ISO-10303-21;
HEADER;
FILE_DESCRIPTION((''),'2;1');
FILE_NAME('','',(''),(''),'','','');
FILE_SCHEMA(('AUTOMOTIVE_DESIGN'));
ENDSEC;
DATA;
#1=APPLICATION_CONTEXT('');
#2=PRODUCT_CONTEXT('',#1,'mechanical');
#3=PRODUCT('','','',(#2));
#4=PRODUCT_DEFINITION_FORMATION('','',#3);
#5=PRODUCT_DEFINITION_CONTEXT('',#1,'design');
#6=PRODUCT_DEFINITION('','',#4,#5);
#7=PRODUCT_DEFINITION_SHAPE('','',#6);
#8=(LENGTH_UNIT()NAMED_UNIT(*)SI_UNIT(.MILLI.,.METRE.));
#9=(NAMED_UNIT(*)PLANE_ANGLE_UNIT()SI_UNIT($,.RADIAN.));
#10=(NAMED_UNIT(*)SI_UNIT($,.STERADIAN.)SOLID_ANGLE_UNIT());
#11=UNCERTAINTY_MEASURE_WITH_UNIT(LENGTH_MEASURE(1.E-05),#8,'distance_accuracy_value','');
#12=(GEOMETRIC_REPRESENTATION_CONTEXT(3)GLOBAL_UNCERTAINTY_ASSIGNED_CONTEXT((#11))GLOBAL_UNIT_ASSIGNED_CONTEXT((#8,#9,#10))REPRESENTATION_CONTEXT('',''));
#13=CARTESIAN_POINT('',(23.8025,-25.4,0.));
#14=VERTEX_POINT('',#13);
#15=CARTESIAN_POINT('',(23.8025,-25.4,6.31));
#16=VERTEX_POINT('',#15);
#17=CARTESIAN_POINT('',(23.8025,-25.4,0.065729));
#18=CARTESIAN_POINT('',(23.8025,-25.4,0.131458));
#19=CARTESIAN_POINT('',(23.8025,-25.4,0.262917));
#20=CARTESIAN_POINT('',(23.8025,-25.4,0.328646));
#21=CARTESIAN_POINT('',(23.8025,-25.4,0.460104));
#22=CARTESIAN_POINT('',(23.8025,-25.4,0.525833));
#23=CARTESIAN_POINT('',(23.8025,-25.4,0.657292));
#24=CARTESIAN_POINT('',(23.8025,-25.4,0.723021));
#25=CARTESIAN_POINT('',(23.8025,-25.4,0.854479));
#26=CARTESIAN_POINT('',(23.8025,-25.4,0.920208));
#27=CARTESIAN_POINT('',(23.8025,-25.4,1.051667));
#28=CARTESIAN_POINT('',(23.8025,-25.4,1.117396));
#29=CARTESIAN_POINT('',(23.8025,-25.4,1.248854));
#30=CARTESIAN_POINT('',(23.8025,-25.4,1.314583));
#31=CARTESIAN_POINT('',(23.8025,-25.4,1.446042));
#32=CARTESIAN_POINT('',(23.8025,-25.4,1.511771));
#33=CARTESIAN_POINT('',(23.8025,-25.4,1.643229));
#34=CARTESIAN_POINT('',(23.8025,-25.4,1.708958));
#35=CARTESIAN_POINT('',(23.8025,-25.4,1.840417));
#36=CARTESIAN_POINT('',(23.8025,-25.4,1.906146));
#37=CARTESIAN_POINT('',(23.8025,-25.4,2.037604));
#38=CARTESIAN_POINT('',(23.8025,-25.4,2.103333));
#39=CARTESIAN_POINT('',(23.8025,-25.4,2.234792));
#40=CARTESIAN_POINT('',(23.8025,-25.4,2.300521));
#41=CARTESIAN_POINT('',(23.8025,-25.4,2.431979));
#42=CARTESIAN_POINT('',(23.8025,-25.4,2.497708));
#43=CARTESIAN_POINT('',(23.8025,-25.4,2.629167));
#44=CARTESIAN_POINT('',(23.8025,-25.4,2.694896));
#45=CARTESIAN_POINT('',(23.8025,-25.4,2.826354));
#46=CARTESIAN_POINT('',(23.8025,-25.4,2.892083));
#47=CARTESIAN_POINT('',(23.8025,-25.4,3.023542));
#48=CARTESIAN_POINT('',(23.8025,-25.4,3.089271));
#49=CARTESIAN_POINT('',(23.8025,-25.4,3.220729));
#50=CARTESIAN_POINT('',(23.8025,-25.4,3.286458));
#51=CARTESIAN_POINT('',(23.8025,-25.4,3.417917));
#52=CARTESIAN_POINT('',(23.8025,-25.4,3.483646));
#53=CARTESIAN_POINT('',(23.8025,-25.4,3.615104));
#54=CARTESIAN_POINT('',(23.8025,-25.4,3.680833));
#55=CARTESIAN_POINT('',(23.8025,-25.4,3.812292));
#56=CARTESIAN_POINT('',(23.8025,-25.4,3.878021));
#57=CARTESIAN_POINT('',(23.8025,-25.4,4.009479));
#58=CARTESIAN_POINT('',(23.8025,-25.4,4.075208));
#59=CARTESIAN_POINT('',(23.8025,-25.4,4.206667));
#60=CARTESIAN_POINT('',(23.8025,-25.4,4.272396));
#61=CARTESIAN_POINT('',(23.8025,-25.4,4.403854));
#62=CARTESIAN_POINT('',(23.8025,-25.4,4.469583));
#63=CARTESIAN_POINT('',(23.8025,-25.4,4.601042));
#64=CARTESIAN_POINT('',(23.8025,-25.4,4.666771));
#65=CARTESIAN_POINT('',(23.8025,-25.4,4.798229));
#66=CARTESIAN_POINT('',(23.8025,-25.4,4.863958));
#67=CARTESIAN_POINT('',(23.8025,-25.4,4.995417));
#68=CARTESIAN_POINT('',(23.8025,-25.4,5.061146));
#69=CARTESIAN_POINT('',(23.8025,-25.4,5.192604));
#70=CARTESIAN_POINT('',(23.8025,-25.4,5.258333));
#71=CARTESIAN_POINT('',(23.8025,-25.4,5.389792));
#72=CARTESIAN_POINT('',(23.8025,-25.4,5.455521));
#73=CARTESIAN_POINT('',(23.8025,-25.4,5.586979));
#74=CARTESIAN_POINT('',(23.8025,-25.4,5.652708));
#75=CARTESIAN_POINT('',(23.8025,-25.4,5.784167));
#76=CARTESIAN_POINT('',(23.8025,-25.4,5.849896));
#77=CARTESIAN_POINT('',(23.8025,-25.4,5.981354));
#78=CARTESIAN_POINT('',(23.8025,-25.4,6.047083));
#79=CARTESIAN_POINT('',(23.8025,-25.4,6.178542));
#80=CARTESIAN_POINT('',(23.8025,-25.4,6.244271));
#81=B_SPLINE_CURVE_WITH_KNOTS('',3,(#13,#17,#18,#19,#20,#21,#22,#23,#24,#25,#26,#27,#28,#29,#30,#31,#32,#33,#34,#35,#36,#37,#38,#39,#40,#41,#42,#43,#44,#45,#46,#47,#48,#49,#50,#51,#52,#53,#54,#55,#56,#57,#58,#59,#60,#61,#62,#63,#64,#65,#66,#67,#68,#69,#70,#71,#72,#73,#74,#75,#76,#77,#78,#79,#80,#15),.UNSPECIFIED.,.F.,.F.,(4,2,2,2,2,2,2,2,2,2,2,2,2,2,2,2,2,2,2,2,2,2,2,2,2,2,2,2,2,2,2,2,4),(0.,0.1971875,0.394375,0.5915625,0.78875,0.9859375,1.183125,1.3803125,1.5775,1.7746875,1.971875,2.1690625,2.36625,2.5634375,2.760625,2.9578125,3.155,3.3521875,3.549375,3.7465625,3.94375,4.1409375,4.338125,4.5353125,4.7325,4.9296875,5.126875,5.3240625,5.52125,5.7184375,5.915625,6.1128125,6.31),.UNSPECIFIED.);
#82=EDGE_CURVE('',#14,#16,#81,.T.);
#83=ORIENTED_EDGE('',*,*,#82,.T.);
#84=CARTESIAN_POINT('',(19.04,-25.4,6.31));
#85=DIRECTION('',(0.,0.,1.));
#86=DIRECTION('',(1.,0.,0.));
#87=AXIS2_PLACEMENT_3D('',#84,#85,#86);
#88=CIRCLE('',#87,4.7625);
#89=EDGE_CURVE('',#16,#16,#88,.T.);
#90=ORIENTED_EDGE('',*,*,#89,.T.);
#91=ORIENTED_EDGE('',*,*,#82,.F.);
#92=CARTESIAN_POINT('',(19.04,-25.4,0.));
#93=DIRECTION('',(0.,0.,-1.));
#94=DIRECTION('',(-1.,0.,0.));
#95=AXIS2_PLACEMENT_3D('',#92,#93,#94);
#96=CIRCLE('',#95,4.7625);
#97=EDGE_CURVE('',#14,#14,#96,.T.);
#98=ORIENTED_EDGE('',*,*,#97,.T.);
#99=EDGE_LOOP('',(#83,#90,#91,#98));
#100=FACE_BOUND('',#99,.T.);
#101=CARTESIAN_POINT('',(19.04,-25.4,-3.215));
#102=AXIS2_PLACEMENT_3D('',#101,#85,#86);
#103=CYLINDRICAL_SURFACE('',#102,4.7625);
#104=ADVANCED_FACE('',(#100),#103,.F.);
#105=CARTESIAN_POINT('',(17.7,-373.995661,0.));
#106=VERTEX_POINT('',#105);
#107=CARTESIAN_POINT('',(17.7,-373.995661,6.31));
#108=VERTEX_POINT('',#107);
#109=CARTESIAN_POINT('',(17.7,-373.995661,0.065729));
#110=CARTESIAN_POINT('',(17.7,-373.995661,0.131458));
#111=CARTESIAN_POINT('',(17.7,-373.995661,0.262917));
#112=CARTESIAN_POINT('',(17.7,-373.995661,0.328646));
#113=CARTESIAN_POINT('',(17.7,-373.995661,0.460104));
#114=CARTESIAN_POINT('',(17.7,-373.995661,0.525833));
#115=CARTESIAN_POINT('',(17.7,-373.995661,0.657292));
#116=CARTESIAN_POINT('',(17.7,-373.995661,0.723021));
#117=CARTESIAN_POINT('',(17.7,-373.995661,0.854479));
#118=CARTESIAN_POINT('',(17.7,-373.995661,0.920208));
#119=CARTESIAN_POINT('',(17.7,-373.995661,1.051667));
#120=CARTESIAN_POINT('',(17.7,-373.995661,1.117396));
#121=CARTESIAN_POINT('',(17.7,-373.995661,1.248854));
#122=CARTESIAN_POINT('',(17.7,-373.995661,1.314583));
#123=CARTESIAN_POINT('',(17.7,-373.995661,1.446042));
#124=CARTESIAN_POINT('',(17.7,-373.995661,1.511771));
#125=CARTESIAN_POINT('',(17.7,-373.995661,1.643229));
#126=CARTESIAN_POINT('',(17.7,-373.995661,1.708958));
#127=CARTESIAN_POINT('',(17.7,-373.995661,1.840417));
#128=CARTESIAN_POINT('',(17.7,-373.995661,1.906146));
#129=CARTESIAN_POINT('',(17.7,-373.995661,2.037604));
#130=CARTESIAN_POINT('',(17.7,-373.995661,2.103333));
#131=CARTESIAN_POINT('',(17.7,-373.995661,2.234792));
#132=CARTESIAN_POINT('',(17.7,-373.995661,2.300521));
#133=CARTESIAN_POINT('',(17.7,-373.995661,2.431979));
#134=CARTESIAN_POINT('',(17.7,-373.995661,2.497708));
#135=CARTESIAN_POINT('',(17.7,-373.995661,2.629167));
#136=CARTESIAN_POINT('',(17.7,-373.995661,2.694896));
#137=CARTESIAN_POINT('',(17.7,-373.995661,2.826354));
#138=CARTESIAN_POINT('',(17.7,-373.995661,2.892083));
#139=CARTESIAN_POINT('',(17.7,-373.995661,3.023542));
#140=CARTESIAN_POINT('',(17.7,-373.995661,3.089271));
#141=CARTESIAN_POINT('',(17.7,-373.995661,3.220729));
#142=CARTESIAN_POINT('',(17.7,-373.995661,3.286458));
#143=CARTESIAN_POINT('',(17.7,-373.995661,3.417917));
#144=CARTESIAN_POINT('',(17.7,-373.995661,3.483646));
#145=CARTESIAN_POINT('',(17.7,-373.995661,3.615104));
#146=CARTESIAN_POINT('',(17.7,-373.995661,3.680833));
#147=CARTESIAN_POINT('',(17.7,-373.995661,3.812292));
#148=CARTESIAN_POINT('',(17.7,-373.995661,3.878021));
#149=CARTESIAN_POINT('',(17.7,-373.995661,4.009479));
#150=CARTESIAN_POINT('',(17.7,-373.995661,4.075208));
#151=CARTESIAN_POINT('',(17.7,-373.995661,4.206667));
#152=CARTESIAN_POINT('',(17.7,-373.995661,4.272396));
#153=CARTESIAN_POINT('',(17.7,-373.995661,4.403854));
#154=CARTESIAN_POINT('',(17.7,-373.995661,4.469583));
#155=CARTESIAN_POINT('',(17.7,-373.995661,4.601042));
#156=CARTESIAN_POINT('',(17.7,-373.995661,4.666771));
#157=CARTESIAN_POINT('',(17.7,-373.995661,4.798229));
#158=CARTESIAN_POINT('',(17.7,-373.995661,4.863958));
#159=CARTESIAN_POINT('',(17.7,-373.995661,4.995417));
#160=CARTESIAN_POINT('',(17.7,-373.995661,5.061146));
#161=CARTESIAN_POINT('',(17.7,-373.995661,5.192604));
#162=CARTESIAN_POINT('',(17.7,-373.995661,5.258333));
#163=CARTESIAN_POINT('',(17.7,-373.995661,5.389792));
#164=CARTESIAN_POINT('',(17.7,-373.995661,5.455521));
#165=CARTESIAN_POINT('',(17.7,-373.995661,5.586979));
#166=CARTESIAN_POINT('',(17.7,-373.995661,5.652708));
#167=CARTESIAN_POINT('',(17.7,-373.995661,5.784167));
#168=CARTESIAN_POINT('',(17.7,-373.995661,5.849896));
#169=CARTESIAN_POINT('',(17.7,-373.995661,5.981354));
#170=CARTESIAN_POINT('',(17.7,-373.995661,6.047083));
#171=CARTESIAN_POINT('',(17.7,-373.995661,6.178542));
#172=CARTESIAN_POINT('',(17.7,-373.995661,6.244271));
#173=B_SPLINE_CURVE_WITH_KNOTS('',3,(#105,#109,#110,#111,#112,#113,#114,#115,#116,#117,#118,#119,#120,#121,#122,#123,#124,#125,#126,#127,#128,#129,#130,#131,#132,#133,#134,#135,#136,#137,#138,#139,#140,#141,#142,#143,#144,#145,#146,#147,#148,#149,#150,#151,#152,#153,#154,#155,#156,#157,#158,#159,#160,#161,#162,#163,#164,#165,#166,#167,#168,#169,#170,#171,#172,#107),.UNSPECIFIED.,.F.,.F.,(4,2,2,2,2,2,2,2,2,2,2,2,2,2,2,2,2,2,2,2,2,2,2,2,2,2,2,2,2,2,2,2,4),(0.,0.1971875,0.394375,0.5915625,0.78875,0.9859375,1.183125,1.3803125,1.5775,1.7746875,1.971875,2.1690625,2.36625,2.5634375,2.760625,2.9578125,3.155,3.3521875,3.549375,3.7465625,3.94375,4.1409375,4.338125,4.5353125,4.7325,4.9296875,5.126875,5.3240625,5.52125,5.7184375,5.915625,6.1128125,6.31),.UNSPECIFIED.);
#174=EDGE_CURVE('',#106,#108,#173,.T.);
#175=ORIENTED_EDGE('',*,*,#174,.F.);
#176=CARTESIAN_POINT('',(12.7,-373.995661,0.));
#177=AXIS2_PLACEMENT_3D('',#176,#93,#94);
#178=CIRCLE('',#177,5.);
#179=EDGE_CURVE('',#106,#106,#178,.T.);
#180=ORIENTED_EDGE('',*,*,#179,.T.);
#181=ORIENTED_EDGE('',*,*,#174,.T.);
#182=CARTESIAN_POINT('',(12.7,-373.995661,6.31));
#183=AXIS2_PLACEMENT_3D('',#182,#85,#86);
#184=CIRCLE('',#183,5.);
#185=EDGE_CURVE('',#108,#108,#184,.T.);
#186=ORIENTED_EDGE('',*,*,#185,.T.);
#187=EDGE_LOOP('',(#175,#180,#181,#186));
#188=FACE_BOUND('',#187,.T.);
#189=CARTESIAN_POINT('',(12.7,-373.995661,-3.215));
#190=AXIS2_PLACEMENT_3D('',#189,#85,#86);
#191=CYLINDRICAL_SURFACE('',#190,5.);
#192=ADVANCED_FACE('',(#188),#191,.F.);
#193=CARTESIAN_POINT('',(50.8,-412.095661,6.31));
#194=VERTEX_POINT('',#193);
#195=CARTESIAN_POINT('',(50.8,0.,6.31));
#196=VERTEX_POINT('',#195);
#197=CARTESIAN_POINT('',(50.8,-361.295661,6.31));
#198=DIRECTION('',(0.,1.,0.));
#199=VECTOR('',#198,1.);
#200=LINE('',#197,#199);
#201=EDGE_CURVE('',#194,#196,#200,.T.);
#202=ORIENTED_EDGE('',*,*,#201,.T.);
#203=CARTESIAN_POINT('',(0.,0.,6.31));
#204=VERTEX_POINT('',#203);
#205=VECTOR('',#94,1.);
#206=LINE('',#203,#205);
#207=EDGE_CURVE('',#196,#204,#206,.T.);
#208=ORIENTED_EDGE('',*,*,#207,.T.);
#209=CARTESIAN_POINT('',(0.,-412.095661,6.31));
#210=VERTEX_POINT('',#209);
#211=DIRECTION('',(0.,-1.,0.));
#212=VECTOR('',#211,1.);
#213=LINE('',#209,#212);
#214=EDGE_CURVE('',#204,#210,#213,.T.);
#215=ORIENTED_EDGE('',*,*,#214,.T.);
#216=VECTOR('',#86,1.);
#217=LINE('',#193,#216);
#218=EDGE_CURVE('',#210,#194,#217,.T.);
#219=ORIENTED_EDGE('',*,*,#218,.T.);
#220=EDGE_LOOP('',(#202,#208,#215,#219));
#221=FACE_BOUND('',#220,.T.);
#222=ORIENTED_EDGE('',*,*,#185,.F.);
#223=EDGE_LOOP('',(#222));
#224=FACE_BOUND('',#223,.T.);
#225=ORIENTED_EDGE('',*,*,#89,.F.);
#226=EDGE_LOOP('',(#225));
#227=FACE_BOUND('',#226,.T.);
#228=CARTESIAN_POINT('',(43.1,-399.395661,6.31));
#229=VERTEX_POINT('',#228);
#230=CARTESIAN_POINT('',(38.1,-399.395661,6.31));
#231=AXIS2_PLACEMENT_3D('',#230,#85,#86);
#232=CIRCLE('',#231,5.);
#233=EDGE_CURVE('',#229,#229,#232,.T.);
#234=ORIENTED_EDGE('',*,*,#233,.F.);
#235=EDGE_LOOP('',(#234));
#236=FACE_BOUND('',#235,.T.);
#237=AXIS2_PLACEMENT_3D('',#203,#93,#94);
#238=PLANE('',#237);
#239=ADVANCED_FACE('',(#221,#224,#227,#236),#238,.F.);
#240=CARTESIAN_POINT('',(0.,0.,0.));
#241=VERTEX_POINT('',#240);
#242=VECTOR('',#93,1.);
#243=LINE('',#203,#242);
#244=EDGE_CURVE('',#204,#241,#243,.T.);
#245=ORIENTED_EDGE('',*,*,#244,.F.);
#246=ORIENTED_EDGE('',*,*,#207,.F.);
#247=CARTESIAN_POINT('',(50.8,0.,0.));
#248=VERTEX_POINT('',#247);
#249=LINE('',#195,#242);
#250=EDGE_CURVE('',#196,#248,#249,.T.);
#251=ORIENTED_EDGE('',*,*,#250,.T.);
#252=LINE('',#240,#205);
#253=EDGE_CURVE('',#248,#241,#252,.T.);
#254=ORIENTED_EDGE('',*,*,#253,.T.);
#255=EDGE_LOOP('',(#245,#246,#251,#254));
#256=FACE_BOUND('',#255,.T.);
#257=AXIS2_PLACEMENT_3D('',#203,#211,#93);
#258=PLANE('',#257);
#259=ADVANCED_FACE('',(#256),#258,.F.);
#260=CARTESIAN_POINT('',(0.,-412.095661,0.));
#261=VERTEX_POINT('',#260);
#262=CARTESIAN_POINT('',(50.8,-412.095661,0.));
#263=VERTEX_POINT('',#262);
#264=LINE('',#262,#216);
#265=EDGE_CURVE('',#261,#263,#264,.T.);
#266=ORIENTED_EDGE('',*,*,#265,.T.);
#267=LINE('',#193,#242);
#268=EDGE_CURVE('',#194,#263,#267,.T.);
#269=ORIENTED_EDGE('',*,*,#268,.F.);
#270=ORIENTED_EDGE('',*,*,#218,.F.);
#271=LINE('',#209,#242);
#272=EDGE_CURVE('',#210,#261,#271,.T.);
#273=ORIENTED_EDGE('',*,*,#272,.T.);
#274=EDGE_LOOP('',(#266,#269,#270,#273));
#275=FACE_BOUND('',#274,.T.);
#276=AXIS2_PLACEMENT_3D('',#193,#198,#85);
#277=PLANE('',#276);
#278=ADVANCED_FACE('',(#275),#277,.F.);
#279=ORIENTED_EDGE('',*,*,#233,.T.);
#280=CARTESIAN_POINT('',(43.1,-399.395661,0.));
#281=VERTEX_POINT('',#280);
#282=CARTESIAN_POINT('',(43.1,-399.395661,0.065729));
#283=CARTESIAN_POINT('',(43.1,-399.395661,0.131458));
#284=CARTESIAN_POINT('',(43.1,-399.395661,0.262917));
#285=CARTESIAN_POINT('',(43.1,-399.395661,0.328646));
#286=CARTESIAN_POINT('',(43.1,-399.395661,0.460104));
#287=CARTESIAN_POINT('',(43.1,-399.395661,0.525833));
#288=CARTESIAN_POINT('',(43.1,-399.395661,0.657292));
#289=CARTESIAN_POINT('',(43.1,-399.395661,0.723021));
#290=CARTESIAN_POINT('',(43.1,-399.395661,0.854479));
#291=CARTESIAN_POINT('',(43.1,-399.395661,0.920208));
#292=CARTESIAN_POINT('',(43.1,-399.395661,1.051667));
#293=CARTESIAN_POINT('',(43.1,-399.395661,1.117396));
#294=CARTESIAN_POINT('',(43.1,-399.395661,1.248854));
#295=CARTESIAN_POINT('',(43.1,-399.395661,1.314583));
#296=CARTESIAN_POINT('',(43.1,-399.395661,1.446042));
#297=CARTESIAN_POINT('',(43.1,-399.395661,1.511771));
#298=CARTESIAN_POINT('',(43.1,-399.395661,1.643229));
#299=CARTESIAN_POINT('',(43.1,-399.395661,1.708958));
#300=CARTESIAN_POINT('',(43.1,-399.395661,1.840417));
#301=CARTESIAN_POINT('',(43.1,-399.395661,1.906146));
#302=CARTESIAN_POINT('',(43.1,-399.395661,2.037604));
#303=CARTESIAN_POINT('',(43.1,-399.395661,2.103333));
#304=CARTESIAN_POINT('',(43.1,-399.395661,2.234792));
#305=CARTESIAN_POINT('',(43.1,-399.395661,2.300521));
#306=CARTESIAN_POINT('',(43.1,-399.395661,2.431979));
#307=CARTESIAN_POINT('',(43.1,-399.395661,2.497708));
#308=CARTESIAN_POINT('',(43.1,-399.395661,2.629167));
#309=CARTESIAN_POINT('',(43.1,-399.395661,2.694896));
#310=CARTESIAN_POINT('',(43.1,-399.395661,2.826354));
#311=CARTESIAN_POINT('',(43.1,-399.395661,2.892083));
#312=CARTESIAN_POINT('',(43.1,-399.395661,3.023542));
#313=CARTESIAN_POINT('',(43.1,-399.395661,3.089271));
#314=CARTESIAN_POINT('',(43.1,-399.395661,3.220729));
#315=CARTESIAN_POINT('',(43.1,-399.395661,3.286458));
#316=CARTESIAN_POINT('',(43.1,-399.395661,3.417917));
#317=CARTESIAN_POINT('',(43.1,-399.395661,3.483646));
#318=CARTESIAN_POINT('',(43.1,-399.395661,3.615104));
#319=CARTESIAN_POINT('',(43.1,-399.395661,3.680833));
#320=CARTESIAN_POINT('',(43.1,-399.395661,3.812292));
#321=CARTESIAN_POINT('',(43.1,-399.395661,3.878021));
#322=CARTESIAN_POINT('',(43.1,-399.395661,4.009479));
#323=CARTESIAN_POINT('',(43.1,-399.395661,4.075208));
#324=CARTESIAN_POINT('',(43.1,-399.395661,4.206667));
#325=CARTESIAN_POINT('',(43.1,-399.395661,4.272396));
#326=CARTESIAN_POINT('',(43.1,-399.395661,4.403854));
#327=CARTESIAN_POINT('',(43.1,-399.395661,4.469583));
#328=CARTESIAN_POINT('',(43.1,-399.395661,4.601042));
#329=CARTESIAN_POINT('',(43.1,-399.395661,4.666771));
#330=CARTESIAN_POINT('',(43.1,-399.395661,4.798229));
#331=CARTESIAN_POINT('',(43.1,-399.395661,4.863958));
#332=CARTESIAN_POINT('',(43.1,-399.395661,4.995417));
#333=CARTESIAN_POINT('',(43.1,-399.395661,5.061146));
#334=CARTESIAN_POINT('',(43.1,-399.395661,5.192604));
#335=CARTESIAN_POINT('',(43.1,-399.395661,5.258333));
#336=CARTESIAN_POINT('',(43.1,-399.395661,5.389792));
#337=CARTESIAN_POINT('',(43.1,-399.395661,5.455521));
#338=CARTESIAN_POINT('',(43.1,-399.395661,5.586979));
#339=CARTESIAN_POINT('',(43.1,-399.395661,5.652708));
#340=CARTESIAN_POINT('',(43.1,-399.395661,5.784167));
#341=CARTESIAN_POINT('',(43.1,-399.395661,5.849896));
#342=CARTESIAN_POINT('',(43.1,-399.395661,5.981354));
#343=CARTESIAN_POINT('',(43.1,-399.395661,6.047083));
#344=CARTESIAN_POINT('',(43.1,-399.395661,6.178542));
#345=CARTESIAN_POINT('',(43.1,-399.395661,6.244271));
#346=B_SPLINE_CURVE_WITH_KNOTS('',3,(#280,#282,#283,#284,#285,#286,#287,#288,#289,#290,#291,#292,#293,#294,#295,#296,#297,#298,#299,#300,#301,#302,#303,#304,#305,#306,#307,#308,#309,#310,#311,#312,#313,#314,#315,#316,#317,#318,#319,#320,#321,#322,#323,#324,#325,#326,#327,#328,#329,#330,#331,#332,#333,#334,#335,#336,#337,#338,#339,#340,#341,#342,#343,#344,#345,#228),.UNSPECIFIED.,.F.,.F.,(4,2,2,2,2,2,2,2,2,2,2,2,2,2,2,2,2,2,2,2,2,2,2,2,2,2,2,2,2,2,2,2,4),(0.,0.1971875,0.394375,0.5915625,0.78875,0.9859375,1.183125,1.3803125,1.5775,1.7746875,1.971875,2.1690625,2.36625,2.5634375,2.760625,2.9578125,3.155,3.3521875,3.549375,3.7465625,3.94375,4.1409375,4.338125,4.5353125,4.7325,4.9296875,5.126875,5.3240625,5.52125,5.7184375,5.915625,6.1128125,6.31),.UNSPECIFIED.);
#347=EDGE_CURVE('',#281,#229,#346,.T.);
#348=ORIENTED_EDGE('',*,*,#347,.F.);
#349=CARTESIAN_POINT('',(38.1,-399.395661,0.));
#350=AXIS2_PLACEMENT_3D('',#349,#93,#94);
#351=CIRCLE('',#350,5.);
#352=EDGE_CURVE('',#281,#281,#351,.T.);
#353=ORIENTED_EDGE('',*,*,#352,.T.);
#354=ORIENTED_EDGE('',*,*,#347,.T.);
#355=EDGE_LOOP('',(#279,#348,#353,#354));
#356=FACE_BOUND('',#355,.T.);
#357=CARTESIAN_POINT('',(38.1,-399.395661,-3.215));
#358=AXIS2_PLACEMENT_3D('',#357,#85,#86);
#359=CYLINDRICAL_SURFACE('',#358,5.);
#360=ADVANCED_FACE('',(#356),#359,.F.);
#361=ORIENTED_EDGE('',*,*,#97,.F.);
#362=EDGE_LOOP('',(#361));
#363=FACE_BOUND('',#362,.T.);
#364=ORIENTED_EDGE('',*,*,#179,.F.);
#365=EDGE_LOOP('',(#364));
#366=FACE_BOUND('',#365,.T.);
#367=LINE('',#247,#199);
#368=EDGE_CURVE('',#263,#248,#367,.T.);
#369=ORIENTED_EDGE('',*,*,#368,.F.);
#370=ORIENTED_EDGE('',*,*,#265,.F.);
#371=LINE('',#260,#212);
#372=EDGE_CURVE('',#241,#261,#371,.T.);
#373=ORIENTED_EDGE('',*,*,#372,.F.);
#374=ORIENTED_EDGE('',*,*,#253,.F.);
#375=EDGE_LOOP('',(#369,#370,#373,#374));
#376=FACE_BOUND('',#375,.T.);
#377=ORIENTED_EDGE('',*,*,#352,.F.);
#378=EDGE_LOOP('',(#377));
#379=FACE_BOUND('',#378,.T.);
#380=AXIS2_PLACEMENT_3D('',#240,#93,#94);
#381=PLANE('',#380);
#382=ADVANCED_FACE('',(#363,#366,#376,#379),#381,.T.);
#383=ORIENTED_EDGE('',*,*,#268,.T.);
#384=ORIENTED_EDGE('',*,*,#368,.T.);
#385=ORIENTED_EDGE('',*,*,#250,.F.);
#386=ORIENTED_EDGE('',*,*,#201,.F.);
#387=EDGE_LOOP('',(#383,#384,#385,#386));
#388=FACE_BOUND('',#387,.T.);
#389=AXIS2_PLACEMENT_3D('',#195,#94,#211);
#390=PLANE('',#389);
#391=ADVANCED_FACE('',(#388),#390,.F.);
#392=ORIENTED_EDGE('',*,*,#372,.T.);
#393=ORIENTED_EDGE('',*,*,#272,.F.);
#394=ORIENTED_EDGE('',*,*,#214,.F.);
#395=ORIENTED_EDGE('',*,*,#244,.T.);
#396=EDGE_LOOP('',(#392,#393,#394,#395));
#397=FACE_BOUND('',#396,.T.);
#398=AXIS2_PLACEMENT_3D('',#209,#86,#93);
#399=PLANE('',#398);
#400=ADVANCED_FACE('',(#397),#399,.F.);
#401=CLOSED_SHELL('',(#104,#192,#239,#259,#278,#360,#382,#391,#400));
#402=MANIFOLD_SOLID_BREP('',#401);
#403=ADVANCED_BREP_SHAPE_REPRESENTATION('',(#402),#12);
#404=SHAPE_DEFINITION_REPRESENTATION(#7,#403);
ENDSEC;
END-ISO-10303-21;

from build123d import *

# Parameters (mm, degrees)
SALIENTE_EXTRUIR1_DEPTH = 6.31
CROQUIS3_R              = 4.7625
CORTAR_EXTRUIR1_DEPTH   = 9.525
CROQUIS4_R              = 5
CORTAR_EXTRUIR2_DEPTH   = 9.525


with BuildPart() as part:
    # Croquis2 → Saliente-Extruir1 (new body)
    with BuildSketch(Plane.XY):
        Polygon((0, 0), (50.8, 0), (50.8, -361.29566061), (50.8, -412.09566061), (0, -412.09566061), align=None)
    extrude(amount=SALIENTE_EXTRUIR1_DEPTH)

    # Croquis3 → Cortar-Extruir1 (cut)
    with BuildSketch(Plane.XY.offset(6.31)):
        with Locations((19.04, -25.4)):
            Circle(CROQUIS3_R)
    extrude(amount=-CORTAR_EXTRUIR1_DEPTH, mode=Mode.SUBTRACT)

    # Croquis4 → Cortar-Extruir2 (cut)
    with BuildSketch(Plane.XY.offset(6.31)):
        with Locations((12.7, -373.995660606)):
            Circle(CROQUIS4_R)
        with Locations((38.1, -399.395660606)):
            Circle(CROQUIS4_R)
    extrude(amount=-CORTAR_EXTRUIR2_DEPTH, mode=Mode.SUBTRACT)


solid = part.part
